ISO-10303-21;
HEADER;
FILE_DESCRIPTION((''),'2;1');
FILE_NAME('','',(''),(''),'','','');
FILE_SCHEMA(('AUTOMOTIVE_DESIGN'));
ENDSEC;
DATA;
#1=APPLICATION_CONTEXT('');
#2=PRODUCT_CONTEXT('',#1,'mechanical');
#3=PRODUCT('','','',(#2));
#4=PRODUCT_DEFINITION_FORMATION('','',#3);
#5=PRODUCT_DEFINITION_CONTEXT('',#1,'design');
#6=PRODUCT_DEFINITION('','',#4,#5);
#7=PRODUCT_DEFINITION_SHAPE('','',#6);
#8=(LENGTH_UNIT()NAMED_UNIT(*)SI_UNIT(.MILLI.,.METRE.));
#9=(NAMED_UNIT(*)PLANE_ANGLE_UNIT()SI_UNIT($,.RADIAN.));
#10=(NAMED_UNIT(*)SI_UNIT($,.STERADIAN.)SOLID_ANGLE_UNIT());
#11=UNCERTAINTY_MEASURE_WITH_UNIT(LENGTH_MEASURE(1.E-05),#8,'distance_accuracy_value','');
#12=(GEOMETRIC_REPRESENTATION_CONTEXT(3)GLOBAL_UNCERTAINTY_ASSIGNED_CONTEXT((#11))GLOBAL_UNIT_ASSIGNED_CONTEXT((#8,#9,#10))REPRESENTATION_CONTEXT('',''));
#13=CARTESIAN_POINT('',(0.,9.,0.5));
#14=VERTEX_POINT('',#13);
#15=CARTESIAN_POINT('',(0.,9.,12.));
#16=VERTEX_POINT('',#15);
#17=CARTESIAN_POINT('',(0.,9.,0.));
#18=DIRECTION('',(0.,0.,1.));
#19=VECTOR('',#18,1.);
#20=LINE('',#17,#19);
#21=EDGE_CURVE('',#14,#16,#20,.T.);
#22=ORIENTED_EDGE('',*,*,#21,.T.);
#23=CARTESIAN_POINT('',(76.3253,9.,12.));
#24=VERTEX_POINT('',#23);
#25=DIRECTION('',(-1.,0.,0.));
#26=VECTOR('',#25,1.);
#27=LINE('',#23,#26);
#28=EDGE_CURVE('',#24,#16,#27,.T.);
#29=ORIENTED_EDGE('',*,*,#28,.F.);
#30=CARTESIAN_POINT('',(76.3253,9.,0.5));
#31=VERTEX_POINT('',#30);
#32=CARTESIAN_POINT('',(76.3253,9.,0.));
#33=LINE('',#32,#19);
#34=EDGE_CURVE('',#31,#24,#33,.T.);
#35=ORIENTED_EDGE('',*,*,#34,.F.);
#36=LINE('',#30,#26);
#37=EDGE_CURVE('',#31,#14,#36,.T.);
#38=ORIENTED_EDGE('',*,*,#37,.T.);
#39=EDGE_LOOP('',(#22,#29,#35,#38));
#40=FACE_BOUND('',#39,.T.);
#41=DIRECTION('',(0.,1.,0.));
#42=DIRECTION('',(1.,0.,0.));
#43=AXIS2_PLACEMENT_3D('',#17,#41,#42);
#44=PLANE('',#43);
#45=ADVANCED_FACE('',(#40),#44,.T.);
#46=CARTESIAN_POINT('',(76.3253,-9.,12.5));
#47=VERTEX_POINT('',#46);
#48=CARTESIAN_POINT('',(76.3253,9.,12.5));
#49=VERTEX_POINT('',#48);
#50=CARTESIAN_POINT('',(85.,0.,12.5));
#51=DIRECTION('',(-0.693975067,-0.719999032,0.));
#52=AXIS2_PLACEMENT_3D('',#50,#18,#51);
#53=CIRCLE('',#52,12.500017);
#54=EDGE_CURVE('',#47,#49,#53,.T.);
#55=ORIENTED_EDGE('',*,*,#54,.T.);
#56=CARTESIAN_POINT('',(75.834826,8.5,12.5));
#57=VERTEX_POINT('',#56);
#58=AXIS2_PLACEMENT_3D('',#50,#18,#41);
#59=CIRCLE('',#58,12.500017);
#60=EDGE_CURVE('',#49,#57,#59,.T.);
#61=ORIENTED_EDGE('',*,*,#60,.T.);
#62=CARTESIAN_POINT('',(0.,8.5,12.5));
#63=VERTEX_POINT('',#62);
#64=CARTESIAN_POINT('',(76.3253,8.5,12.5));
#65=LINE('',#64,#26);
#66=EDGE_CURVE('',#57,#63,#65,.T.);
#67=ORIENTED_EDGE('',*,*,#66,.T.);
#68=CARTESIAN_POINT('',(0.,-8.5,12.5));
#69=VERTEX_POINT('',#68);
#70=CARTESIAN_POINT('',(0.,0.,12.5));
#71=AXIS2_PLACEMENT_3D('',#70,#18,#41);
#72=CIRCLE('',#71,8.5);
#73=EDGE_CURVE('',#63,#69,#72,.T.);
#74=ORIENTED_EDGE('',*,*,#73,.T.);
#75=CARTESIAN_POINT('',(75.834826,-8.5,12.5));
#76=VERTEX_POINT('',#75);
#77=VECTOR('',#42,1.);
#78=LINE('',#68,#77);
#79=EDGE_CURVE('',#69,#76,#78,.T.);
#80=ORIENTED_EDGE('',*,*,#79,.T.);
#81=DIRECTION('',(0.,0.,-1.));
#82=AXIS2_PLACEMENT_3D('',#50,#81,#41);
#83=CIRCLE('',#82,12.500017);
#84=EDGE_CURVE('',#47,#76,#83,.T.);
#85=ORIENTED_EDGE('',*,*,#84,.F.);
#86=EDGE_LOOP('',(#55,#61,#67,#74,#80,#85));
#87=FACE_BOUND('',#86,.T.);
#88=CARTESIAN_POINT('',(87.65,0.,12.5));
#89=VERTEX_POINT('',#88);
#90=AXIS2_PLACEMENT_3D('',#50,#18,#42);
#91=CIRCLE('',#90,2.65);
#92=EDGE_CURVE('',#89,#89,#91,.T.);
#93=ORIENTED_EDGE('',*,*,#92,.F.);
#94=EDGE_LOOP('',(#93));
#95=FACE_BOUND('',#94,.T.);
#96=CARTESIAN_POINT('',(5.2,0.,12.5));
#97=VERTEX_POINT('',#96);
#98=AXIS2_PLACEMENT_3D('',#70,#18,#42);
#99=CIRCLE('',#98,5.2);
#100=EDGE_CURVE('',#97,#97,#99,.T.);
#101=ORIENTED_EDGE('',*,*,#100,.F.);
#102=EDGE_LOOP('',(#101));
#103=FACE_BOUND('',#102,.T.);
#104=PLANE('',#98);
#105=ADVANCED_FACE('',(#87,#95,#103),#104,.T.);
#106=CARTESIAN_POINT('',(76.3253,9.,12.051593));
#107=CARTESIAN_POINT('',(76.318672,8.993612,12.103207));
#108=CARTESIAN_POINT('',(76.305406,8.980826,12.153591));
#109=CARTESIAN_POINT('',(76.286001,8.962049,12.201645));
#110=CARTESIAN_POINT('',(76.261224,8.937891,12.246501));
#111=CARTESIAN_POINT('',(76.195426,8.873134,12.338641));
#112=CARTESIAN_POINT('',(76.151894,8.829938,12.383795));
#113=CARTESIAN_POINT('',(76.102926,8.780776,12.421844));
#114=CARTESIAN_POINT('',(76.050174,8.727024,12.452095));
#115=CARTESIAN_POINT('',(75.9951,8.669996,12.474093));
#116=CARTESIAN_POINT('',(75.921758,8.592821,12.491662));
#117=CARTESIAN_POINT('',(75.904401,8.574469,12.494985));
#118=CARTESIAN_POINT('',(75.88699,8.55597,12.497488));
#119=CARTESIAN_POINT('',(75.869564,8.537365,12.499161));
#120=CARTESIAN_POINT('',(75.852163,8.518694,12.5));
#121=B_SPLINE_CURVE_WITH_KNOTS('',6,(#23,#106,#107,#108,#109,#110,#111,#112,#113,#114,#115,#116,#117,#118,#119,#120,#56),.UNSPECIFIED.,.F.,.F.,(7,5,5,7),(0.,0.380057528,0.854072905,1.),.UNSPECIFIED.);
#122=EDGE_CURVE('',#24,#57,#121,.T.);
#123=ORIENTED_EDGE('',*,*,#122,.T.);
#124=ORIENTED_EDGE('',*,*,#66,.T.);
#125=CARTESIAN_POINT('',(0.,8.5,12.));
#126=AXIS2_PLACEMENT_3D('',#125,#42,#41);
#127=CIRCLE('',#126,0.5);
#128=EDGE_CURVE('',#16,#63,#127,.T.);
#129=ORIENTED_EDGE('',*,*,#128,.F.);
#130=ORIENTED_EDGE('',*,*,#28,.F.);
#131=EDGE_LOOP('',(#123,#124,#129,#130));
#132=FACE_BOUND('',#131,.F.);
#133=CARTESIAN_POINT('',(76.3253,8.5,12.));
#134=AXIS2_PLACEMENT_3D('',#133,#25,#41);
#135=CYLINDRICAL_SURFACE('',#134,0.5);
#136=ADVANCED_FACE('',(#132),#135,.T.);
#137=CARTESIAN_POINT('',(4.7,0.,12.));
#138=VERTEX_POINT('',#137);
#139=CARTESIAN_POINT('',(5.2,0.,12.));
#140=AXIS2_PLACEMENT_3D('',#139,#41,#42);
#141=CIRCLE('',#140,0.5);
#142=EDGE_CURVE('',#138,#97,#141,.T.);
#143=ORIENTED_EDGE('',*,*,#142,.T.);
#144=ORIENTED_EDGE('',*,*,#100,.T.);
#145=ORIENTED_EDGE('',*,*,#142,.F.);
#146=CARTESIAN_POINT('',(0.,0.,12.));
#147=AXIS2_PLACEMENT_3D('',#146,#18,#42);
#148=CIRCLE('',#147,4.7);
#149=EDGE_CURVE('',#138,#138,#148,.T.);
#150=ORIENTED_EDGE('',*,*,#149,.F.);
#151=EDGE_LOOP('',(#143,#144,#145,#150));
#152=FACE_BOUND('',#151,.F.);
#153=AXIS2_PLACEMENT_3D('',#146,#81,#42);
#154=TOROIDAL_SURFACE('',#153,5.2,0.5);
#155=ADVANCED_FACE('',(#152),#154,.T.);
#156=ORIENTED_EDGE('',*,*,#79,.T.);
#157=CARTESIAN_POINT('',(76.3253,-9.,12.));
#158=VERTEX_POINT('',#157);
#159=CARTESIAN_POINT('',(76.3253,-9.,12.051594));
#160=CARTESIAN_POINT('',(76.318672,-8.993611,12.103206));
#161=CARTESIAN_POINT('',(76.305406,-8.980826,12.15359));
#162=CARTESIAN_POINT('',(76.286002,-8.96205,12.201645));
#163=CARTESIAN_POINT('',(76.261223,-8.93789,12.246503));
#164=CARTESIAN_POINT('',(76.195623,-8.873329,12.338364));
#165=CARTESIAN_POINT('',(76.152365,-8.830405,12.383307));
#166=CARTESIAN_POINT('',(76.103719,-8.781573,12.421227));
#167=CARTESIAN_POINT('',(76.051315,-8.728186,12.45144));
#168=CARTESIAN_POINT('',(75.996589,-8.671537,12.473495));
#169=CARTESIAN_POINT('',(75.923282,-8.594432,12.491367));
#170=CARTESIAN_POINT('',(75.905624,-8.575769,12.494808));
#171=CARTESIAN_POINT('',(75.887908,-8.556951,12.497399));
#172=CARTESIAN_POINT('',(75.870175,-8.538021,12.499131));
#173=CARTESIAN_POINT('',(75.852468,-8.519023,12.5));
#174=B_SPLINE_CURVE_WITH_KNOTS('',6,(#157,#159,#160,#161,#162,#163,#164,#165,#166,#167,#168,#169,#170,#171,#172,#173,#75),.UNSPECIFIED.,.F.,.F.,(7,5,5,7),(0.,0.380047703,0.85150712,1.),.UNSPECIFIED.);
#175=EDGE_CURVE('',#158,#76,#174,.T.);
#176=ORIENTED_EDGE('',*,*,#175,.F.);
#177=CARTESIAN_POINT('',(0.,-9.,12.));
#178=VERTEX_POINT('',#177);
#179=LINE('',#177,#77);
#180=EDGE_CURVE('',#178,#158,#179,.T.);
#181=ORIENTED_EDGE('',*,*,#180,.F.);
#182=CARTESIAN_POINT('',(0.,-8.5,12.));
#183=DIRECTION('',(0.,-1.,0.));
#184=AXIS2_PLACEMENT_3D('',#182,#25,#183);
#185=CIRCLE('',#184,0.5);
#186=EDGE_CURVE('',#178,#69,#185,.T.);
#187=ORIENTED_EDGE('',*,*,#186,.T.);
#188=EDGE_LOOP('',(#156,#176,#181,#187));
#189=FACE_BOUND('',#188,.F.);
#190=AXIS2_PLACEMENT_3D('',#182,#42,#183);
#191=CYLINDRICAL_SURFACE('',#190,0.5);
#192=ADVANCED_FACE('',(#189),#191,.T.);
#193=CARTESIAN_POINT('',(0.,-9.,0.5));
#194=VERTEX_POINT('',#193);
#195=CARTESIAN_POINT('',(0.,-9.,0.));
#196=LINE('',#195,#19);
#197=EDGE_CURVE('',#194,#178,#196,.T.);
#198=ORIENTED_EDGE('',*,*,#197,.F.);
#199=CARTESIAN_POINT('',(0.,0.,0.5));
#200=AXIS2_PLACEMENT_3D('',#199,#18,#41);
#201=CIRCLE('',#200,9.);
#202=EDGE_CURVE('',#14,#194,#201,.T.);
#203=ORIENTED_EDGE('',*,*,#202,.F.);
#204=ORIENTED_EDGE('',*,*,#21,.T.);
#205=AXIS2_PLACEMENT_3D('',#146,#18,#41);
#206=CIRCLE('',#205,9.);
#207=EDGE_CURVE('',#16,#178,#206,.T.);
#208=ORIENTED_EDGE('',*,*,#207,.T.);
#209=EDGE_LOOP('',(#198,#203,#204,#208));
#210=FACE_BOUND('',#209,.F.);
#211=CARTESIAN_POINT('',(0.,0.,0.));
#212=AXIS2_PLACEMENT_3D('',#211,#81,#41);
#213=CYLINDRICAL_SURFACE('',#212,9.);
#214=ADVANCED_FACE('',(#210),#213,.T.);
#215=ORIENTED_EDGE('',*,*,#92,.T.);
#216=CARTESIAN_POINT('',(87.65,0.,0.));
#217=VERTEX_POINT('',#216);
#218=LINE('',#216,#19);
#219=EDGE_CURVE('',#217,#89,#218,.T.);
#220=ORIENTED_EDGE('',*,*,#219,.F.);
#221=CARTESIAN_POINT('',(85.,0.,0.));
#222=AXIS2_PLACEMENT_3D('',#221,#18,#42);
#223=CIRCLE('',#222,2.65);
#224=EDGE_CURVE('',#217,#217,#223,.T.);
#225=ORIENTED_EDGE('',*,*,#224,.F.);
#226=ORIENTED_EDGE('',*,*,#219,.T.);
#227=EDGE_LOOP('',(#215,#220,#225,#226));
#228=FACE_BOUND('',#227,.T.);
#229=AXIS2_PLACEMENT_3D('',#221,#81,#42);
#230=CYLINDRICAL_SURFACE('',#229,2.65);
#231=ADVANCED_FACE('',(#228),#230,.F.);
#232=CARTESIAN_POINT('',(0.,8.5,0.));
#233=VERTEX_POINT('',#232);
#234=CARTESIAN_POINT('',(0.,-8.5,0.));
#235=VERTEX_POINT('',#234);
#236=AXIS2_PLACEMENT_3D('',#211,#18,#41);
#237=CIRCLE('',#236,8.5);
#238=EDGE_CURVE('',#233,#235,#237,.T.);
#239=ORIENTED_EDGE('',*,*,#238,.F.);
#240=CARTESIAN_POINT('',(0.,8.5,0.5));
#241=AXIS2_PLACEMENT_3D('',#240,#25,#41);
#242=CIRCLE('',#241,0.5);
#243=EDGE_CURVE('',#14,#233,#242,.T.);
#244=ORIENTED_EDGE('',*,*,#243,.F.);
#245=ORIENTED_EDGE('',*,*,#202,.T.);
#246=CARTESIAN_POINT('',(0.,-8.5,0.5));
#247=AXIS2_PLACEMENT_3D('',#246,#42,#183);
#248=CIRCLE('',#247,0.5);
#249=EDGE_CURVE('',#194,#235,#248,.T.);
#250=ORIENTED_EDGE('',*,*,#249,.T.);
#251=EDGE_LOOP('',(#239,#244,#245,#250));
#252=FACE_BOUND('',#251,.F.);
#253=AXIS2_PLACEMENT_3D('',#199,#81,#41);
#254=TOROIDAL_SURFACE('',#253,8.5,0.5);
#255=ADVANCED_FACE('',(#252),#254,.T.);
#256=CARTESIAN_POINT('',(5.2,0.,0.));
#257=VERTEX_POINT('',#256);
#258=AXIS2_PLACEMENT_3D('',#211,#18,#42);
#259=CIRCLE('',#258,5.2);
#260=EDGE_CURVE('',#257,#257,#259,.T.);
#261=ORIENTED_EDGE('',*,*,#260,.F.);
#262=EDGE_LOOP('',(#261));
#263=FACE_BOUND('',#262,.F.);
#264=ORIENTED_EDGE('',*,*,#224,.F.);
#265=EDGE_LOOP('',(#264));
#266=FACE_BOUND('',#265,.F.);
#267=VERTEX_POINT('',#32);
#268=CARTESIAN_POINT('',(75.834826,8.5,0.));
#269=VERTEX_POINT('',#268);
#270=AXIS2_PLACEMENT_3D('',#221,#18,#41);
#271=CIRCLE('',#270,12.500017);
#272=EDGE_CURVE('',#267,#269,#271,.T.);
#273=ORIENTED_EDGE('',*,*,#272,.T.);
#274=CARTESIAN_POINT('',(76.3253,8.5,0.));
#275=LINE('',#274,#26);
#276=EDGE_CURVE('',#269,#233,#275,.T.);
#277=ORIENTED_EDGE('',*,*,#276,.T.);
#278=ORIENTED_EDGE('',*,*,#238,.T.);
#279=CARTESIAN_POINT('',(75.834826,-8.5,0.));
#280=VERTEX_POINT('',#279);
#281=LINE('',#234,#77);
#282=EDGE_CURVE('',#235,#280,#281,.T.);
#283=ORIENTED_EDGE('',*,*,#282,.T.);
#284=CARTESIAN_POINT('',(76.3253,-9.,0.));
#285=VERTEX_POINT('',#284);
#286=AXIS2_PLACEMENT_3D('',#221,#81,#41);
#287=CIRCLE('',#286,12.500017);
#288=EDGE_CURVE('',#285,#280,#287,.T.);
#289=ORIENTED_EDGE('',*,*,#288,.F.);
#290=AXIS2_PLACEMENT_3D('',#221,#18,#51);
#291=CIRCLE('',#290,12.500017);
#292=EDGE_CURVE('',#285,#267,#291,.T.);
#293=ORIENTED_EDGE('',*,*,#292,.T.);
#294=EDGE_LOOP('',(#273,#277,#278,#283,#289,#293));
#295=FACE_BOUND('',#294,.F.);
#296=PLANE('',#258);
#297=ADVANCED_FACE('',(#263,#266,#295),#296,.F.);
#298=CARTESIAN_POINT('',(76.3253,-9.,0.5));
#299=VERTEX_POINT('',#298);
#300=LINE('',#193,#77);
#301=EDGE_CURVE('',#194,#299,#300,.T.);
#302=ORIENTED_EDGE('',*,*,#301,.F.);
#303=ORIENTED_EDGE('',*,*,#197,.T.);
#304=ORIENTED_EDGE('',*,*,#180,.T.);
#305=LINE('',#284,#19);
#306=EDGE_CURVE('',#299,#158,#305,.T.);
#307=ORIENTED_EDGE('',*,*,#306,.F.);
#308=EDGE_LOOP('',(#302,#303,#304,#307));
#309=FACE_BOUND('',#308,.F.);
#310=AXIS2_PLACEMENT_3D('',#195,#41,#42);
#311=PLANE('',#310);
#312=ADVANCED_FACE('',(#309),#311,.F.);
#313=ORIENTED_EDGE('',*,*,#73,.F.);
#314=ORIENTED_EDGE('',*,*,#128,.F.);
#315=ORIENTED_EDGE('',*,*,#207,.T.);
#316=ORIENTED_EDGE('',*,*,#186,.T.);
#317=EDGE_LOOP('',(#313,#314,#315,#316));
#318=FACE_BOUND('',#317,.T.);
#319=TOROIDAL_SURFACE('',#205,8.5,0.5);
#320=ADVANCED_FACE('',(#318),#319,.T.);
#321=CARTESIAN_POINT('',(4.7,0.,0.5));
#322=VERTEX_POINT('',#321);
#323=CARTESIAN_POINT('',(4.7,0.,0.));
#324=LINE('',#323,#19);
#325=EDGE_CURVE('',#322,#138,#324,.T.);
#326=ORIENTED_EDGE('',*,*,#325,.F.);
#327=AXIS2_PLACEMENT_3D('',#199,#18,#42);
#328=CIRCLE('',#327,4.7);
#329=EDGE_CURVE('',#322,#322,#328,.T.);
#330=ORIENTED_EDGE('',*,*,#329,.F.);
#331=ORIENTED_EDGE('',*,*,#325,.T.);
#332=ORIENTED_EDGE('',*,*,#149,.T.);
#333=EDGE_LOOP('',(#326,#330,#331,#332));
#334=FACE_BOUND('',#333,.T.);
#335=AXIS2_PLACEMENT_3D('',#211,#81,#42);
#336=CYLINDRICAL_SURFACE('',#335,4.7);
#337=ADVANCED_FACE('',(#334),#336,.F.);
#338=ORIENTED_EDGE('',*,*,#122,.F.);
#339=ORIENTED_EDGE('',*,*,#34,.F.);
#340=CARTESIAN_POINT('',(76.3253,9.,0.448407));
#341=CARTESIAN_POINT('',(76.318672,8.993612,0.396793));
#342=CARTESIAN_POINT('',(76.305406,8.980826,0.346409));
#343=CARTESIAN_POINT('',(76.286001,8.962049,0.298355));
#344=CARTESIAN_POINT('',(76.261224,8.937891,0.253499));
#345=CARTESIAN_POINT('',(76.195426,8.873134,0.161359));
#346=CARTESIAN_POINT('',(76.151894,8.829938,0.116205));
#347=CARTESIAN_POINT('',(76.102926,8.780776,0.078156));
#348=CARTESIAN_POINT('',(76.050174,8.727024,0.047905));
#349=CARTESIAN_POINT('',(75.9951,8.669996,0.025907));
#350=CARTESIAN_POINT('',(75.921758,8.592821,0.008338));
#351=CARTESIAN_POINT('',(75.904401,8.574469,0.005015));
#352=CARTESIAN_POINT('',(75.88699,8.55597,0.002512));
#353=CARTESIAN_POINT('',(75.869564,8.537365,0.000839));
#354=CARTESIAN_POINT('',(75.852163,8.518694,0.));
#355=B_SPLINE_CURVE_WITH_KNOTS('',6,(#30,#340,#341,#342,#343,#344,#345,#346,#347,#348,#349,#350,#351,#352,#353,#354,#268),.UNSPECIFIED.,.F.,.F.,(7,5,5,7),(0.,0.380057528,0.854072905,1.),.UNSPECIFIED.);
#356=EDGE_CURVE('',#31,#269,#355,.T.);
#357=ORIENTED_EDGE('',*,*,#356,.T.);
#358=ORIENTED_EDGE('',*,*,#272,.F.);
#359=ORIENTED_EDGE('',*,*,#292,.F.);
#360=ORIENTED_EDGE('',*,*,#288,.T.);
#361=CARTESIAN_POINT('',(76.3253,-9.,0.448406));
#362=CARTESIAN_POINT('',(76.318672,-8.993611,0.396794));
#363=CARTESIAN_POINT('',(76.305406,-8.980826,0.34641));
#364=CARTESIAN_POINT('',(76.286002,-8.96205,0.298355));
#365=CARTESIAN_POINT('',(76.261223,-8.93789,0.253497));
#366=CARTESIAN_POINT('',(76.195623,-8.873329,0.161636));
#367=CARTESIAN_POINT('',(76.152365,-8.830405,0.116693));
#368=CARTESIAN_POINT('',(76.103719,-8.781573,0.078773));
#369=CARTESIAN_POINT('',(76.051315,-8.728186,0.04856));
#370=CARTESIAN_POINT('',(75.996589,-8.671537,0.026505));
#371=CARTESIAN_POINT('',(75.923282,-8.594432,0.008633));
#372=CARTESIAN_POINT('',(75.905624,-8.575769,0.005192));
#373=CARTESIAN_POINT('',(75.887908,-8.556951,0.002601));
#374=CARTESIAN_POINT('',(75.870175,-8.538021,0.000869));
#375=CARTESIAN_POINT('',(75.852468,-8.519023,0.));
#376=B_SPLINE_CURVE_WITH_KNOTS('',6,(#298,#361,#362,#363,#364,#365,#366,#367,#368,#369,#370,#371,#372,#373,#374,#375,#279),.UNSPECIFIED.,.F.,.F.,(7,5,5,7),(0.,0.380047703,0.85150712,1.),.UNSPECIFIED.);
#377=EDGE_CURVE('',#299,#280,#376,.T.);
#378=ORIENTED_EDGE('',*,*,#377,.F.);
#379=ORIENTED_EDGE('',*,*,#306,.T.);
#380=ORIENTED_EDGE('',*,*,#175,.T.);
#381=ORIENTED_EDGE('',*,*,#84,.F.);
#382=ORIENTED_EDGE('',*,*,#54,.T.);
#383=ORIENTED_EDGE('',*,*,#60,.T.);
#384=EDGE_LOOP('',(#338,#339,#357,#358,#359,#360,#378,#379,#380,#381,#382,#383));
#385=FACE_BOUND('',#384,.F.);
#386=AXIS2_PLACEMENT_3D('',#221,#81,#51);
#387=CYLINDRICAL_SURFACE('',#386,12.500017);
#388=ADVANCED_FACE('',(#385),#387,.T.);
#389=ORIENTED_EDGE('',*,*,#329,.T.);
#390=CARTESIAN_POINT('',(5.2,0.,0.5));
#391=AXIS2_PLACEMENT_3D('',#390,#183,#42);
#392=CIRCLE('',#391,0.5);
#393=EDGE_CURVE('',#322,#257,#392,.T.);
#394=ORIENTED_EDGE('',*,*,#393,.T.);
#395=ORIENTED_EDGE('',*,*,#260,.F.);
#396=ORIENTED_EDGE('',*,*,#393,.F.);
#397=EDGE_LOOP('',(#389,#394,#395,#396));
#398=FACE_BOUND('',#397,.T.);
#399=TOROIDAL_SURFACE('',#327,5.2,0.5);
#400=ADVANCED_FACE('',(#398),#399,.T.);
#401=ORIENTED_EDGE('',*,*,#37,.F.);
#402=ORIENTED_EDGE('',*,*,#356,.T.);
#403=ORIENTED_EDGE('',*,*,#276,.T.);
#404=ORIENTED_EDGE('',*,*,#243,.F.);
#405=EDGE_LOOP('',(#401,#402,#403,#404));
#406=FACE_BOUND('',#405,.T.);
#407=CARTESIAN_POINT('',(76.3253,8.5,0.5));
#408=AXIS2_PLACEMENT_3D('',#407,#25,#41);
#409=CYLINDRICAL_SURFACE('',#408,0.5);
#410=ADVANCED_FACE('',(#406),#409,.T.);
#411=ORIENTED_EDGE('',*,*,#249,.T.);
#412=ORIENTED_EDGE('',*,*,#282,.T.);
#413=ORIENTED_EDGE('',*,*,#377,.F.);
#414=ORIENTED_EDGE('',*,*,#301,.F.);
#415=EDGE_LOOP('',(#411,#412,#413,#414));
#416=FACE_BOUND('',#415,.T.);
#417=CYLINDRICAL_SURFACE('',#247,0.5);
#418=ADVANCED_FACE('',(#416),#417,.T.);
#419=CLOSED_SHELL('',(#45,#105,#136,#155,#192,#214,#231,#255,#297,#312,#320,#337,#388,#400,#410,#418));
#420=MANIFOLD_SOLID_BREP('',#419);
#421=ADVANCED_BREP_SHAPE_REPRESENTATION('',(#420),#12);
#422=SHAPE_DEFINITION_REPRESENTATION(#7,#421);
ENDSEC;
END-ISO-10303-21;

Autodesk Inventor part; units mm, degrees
ref_plane "YZ Plane" through (0, 0, 0) normal (1, 0, 0) x (0, 1, 0)
ref_plane "XZ Plane" through (0, 0, 0) normal (0, 1, 0) x (-1, 0, 0)
ref_plane "XY Plane" through (0, 0, 0) normal (0, 0, 1) x (1, 0, 0)
sketch "Sketch1" plane through (0, 0, 0) normal (0, 0, 1) x (1, 0, 0)
  circle A0 centre (0, 0) radius 4.7
  arc A1 (0, 9) -> (0, -9) centre (0, 0) ccw
  circle A2 centre (85, 0) radius 2.65
  arc A3 (76.3253, -9) -> (76.3253, 9) centre (85, 0) ccw
  line L0 (0, 9) -> (76.3253, 9)
  line L1 (0, -9) -> (76.3253, -9)
  dimension "d0" = 9.4
  dimension "d1" = 18
  dimension "d3" = 5.3
  dimension "d4" = 25
extrude "Extrusion1" add sketch "Sketch1" along normal blind 12.5
fillet "Fillet1" radius 0.5 8 edges at (-4.7, 0, 0) (-9, 0, 0) (38.1627, 9, 0) (38.1627, -9, 0) (-9, 0, 12.5) (38.1627, 9, 12.5) (38.1627, -9, 12.5) (-4.7, 0, 12.5)
properties part number "Arm Link Lower_3DPrint"
